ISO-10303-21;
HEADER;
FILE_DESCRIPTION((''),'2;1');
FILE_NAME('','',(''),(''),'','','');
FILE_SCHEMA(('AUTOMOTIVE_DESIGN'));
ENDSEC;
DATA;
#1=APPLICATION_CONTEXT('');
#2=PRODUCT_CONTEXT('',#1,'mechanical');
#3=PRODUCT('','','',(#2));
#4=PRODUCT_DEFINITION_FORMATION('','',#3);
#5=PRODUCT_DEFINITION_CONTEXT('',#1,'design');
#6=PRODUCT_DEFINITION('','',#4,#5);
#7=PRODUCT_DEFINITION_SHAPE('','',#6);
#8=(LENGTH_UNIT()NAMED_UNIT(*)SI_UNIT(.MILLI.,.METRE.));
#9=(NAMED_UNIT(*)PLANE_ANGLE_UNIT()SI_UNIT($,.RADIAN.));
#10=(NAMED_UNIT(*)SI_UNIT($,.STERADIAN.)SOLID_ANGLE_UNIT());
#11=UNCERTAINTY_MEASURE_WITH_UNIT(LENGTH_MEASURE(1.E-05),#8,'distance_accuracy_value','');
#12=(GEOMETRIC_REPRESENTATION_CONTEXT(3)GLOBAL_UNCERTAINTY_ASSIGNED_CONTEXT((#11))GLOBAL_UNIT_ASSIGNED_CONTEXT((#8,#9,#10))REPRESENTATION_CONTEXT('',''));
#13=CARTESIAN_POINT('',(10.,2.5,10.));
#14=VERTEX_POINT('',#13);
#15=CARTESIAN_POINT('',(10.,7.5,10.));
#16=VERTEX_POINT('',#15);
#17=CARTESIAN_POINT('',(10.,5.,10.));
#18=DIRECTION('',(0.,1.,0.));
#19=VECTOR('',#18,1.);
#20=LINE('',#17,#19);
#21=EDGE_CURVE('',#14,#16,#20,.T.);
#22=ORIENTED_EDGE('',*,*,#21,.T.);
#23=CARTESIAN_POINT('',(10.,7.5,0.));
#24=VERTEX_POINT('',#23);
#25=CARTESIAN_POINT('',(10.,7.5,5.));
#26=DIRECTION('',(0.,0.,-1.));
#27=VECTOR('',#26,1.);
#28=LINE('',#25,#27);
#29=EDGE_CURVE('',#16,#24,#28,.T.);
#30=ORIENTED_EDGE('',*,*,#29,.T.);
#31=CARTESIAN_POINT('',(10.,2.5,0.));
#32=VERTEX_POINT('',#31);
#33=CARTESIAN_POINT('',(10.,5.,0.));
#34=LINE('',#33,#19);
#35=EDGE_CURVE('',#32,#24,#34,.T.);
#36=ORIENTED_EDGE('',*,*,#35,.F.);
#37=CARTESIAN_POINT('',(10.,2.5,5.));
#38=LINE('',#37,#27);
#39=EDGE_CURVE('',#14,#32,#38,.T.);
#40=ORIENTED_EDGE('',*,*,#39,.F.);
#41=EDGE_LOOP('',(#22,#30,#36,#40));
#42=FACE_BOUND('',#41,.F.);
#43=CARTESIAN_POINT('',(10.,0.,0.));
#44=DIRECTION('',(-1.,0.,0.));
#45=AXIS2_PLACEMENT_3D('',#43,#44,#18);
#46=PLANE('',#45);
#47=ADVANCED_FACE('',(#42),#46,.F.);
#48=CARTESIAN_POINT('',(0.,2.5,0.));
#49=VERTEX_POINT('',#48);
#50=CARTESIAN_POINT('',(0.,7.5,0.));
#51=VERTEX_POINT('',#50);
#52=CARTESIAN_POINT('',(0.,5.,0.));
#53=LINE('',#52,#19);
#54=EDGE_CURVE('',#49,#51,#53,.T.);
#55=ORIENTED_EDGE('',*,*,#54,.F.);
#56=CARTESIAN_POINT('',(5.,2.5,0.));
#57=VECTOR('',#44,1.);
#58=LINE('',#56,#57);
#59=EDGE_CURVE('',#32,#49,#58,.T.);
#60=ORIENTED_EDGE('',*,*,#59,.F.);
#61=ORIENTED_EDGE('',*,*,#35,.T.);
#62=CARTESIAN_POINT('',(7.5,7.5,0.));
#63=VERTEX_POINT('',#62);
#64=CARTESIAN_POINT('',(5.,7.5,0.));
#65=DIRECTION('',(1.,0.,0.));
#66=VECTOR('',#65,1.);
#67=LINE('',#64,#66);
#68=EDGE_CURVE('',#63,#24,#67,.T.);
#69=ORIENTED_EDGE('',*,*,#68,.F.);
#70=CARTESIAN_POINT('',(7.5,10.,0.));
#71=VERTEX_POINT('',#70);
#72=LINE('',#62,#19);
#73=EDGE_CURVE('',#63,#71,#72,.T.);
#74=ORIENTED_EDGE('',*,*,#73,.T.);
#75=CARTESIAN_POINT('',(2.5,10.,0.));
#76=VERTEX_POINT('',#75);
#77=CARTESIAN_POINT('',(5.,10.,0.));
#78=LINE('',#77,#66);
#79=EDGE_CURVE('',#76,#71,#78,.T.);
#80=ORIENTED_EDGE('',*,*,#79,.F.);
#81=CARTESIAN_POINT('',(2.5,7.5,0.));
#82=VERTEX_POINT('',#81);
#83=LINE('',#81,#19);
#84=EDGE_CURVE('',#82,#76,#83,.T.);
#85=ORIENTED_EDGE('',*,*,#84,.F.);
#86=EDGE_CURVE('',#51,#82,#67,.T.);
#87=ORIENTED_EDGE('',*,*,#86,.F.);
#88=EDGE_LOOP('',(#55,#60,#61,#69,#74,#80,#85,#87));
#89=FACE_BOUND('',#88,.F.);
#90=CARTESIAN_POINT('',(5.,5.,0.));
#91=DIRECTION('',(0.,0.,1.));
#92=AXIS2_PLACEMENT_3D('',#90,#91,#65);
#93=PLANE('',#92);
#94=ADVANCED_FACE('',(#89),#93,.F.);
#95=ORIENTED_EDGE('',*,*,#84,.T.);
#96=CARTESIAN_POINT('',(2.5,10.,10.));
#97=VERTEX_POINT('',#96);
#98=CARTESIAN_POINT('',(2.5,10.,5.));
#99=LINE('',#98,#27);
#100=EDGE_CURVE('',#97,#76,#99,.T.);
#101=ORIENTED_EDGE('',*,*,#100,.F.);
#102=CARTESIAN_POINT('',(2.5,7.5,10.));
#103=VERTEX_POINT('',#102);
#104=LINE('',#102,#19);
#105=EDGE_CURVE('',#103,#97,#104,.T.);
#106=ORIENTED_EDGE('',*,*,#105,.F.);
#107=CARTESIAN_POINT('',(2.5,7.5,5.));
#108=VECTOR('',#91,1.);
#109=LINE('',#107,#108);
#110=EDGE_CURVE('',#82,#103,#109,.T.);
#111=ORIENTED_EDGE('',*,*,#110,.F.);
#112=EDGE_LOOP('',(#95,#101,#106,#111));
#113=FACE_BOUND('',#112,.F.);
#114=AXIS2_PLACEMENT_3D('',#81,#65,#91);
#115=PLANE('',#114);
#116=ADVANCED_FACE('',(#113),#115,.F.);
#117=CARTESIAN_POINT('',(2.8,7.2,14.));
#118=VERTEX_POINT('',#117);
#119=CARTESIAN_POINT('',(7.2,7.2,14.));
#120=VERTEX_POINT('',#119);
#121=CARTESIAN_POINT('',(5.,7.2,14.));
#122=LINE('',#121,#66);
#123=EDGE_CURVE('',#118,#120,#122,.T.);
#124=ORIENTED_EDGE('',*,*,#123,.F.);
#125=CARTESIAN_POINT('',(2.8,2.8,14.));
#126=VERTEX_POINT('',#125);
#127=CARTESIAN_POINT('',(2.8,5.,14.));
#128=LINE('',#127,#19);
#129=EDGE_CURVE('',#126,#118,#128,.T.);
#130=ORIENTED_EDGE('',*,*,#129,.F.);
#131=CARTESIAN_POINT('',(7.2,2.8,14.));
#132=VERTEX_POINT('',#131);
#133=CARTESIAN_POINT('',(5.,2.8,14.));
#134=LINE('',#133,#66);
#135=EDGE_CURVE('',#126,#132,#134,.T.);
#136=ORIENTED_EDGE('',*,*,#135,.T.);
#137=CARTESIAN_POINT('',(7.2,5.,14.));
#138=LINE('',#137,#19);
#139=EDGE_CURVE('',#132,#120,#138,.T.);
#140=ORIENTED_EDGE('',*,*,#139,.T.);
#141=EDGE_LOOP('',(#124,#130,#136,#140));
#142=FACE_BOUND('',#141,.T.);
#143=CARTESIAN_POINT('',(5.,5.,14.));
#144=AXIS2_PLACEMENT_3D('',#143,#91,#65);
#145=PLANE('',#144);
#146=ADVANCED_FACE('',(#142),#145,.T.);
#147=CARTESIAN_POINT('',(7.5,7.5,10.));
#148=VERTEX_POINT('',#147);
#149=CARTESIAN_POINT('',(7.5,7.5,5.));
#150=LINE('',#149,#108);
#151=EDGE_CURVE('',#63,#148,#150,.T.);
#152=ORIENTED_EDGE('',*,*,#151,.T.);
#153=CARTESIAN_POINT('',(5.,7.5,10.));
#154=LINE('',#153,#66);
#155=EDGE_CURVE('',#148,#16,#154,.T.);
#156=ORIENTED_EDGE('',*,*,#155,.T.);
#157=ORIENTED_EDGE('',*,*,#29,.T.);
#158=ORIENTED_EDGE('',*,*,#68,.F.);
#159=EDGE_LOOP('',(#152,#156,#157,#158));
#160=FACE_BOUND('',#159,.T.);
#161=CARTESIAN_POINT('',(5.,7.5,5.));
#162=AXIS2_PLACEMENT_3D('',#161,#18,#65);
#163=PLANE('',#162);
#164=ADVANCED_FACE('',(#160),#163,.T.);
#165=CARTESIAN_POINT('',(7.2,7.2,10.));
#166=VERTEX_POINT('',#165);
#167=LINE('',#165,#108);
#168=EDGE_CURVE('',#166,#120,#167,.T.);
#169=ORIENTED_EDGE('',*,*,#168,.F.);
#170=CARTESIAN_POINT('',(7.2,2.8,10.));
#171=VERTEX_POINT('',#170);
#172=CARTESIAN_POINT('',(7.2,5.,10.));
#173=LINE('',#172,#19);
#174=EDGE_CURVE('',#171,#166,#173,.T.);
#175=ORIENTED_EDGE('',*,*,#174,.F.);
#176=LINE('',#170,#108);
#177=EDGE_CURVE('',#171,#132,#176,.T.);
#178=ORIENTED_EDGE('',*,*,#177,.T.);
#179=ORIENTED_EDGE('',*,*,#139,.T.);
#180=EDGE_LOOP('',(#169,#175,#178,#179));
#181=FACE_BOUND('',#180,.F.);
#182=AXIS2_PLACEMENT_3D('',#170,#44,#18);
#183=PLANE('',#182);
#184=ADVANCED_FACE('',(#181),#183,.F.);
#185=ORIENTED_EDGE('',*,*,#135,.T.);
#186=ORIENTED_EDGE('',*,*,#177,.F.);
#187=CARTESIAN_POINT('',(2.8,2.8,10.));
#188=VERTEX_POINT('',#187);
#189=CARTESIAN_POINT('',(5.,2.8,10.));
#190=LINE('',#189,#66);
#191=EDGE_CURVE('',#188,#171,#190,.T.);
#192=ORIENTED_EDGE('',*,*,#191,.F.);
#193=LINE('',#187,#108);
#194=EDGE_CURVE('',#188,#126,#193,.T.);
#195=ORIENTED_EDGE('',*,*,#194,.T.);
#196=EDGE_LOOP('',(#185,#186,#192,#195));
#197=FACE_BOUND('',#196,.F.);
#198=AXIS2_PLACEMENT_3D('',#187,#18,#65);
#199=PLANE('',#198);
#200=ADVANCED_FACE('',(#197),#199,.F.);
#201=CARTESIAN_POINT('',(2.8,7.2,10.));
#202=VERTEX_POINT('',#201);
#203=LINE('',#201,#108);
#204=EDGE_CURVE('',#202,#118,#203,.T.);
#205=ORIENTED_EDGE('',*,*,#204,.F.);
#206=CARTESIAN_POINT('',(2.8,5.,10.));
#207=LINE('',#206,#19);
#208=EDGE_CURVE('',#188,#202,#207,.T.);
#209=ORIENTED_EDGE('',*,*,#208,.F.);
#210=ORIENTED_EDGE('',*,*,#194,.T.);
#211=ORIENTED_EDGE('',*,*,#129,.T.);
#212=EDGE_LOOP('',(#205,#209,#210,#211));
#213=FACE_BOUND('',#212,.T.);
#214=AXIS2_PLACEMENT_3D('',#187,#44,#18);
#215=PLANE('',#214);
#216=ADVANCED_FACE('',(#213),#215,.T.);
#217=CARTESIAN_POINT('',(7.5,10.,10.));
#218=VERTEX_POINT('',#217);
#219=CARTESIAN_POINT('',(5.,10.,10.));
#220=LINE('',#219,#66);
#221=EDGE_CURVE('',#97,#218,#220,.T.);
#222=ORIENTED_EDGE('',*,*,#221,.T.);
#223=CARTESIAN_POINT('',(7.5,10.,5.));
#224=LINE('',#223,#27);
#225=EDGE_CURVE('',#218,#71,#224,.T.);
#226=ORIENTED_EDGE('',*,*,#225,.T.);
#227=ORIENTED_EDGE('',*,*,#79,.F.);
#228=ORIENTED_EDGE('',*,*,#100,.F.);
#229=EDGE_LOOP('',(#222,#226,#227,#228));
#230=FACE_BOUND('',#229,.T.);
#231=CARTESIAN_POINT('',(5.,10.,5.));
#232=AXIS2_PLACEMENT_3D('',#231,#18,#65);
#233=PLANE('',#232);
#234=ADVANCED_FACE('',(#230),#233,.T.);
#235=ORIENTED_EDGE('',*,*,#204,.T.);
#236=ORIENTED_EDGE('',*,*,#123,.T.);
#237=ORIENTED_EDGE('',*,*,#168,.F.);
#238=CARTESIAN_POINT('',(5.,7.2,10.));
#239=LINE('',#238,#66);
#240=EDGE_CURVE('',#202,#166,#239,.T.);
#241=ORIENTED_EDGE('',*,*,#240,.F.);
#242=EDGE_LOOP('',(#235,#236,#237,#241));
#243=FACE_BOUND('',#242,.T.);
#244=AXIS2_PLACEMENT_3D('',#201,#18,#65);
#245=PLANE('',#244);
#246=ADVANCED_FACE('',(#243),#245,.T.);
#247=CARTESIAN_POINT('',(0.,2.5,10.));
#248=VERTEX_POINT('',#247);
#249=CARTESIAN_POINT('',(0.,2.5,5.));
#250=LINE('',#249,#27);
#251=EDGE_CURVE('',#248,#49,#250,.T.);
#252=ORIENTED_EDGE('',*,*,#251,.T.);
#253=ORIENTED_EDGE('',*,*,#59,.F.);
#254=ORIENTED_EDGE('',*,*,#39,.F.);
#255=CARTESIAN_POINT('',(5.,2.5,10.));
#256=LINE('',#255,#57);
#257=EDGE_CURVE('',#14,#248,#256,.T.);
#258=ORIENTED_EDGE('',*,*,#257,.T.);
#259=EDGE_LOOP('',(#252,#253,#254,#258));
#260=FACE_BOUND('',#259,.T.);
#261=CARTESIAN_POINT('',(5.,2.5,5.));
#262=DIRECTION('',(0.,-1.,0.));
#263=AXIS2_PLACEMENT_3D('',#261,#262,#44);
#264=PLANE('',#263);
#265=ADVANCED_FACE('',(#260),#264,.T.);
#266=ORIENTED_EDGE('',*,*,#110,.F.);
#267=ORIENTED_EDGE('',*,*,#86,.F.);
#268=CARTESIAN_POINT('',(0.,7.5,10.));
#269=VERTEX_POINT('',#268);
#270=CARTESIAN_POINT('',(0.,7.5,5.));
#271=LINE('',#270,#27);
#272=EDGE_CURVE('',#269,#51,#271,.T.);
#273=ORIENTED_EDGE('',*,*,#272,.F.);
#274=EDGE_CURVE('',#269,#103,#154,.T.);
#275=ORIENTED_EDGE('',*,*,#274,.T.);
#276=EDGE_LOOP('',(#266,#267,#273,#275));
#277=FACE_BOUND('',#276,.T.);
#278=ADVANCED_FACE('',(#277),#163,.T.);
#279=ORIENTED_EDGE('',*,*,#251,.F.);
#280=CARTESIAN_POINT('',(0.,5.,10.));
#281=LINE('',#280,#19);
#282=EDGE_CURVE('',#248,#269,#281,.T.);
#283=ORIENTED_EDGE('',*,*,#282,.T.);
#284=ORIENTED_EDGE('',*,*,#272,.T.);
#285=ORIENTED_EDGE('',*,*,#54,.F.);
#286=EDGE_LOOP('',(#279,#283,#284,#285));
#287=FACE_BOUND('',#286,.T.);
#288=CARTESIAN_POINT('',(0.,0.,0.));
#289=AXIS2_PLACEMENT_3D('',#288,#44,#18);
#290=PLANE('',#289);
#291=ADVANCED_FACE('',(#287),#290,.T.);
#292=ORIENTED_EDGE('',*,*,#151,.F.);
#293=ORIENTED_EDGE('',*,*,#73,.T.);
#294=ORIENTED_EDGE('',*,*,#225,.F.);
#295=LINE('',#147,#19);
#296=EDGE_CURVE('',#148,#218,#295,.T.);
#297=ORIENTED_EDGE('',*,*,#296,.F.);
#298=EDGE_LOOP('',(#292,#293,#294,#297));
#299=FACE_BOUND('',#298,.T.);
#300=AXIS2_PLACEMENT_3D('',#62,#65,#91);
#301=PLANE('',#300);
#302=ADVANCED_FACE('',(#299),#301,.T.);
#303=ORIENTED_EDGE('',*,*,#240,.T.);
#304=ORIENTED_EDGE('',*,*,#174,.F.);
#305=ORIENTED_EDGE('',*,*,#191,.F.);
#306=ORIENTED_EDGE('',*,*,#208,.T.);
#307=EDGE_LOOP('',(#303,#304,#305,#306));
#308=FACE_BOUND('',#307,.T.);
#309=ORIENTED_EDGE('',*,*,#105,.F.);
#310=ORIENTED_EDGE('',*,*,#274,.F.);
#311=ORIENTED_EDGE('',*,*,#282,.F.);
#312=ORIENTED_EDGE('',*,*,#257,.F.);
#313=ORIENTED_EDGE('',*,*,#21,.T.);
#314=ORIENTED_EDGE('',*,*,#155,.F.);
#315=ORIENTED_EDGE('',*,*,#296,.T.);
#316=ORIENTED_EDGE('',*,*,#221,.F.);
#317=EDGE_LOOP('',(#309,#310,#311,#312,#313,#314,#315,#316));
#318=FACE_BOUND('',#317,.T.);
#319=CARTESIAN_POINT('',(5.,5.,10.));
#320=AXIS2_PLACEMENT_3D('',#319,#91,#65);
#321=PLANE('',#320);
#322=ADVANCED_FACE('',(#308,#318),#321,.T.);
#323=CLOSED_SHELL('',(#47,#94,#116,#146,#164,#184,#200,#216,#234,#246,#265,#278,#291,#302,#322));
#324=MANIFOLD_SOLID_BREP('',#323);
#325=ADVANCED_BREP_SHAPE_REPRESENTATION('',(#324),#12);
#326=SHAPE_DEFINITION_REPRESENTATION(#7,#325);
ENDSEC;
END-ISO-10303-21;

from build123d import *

# Parameters (mm, degrees)
BOX_W              = 10
BOX_H              = 10
BOX_DEPTH          = 10
SKETCH_W           = 4.4
SKETCH_H           = 4.4
PAD_DEPTH          = 4
PAD_FACE4_W        = 10
PAD_FACE4_H        = 10
POCKET_DEPTH       = 2.5
POCKET_FACE5_W     = 10
POCKET_FACE5_H     = 10
POCKET001_DEPTH    = 2.5
SKETCH001_W        = 5
SKETCH001_H        = 10
PAD001_DEPTH       = 10
SKETCH002_W        = 4.4
SKETCH002_H        = 4.4
PAD002_DEPTH       = 4
PAD002_FACE22_W    = 4.4
PAD002_FACE22_H    = 4.4
POCKET002_DEPTH    = 5
POCKET002_FACE16_W = 5
POCKET002_FACE16_H = 10
POCKET003_DEPTH    = 7.5


with BuildPart() as part:
    # Box → Box (new body)
    with BuildSketch(Plane.XY):
        with Locations((5, 5)):
            Rectangle(BOX_W, BOX_H)
    extrude(amount=BOX_DEPTH)

    # Sketch (on Face6 of BaseFeature) → Pad (new body)
    with BuildSketch(Plane.XY.offset(10)):
        with Locations((5, 5)):
            Rectangle(SKETCH_W, SKETCH_H)
    extrude(amount=PAD_DEPTH)

    # Pad Face4 → Pocket (cut)
    with BuildSketch(Plane(origin=(5, 10, 5), x_dir=(1, 0, 0), z_dir=(0, 1, 0))):
        Rectangle(PAD_FACE4_W, PAD_FACE4_H)
    extrude(amount=-POCKET_DEPTH, mode=Mode.SUBTRACT)

    # Pocket Face5 → Pocket001 (cut)
    with BuildSketch(Plane(origin=(5, 0, 5), x_dir=(-1, 0, 0), z_dir=(0, -1, 0))):
        Rectangle(POCKET_FACE5_W, POCKET_FACE5_H)
    extrude(amount=-POCKET001_DEPTH, mode=Mode.SUBTRACT)

    # Sketch001 (on Face3 of Pocket001) → Pad001 (join)
    with BuildSketch(Plane(origin=(0, 7.5, 0), x_dir=(-1, 0, 0), z_dir=(0, 1, 0))):
        with Locations((-5, 5)):
            Rectangle(SKETCH001_W, SKETCH001_H)
    extrude(amount=PAD001_DEPTH)

    # Sketch002 (on Face6 of Pad001) → Pad002 (join)
    with BuildSketch(Plane.XY.offset(10)):
        with Locations((5, 12.5)):
            Rectangle(SKETCH002_W, SKETCH002_H)
    extrude(amount=PAD002_DEPTH)

    # Pad002 Face22 → Pocket002 (cut)
    with BuildSketch(Plane(origin=(5, 12.5, 14), x_dir=(0, 1, 0), z_dir=(0, 0, 1))):
        Rectangle(PAD002_FACE22_W, PAD002_FACE22_H)
    extrude(amount=-POCKET002_DEPTH, mode=Mode.SUBTRACT)

    # Pocket002 Face16 → Pocket003 (cut)
    with BuildSketch(Plane(origin=(5, 17.5, 5), x_dir=(1, 0, 0), z_dir=(0, 1, 0))):
        Rectangle(POCKET002_FACE16_W, POCKET002_FACE16_H)
    extrude(amount=-POCKET003_DEPTH, mode=Mode.SUBTRACT)


solid = part.part
